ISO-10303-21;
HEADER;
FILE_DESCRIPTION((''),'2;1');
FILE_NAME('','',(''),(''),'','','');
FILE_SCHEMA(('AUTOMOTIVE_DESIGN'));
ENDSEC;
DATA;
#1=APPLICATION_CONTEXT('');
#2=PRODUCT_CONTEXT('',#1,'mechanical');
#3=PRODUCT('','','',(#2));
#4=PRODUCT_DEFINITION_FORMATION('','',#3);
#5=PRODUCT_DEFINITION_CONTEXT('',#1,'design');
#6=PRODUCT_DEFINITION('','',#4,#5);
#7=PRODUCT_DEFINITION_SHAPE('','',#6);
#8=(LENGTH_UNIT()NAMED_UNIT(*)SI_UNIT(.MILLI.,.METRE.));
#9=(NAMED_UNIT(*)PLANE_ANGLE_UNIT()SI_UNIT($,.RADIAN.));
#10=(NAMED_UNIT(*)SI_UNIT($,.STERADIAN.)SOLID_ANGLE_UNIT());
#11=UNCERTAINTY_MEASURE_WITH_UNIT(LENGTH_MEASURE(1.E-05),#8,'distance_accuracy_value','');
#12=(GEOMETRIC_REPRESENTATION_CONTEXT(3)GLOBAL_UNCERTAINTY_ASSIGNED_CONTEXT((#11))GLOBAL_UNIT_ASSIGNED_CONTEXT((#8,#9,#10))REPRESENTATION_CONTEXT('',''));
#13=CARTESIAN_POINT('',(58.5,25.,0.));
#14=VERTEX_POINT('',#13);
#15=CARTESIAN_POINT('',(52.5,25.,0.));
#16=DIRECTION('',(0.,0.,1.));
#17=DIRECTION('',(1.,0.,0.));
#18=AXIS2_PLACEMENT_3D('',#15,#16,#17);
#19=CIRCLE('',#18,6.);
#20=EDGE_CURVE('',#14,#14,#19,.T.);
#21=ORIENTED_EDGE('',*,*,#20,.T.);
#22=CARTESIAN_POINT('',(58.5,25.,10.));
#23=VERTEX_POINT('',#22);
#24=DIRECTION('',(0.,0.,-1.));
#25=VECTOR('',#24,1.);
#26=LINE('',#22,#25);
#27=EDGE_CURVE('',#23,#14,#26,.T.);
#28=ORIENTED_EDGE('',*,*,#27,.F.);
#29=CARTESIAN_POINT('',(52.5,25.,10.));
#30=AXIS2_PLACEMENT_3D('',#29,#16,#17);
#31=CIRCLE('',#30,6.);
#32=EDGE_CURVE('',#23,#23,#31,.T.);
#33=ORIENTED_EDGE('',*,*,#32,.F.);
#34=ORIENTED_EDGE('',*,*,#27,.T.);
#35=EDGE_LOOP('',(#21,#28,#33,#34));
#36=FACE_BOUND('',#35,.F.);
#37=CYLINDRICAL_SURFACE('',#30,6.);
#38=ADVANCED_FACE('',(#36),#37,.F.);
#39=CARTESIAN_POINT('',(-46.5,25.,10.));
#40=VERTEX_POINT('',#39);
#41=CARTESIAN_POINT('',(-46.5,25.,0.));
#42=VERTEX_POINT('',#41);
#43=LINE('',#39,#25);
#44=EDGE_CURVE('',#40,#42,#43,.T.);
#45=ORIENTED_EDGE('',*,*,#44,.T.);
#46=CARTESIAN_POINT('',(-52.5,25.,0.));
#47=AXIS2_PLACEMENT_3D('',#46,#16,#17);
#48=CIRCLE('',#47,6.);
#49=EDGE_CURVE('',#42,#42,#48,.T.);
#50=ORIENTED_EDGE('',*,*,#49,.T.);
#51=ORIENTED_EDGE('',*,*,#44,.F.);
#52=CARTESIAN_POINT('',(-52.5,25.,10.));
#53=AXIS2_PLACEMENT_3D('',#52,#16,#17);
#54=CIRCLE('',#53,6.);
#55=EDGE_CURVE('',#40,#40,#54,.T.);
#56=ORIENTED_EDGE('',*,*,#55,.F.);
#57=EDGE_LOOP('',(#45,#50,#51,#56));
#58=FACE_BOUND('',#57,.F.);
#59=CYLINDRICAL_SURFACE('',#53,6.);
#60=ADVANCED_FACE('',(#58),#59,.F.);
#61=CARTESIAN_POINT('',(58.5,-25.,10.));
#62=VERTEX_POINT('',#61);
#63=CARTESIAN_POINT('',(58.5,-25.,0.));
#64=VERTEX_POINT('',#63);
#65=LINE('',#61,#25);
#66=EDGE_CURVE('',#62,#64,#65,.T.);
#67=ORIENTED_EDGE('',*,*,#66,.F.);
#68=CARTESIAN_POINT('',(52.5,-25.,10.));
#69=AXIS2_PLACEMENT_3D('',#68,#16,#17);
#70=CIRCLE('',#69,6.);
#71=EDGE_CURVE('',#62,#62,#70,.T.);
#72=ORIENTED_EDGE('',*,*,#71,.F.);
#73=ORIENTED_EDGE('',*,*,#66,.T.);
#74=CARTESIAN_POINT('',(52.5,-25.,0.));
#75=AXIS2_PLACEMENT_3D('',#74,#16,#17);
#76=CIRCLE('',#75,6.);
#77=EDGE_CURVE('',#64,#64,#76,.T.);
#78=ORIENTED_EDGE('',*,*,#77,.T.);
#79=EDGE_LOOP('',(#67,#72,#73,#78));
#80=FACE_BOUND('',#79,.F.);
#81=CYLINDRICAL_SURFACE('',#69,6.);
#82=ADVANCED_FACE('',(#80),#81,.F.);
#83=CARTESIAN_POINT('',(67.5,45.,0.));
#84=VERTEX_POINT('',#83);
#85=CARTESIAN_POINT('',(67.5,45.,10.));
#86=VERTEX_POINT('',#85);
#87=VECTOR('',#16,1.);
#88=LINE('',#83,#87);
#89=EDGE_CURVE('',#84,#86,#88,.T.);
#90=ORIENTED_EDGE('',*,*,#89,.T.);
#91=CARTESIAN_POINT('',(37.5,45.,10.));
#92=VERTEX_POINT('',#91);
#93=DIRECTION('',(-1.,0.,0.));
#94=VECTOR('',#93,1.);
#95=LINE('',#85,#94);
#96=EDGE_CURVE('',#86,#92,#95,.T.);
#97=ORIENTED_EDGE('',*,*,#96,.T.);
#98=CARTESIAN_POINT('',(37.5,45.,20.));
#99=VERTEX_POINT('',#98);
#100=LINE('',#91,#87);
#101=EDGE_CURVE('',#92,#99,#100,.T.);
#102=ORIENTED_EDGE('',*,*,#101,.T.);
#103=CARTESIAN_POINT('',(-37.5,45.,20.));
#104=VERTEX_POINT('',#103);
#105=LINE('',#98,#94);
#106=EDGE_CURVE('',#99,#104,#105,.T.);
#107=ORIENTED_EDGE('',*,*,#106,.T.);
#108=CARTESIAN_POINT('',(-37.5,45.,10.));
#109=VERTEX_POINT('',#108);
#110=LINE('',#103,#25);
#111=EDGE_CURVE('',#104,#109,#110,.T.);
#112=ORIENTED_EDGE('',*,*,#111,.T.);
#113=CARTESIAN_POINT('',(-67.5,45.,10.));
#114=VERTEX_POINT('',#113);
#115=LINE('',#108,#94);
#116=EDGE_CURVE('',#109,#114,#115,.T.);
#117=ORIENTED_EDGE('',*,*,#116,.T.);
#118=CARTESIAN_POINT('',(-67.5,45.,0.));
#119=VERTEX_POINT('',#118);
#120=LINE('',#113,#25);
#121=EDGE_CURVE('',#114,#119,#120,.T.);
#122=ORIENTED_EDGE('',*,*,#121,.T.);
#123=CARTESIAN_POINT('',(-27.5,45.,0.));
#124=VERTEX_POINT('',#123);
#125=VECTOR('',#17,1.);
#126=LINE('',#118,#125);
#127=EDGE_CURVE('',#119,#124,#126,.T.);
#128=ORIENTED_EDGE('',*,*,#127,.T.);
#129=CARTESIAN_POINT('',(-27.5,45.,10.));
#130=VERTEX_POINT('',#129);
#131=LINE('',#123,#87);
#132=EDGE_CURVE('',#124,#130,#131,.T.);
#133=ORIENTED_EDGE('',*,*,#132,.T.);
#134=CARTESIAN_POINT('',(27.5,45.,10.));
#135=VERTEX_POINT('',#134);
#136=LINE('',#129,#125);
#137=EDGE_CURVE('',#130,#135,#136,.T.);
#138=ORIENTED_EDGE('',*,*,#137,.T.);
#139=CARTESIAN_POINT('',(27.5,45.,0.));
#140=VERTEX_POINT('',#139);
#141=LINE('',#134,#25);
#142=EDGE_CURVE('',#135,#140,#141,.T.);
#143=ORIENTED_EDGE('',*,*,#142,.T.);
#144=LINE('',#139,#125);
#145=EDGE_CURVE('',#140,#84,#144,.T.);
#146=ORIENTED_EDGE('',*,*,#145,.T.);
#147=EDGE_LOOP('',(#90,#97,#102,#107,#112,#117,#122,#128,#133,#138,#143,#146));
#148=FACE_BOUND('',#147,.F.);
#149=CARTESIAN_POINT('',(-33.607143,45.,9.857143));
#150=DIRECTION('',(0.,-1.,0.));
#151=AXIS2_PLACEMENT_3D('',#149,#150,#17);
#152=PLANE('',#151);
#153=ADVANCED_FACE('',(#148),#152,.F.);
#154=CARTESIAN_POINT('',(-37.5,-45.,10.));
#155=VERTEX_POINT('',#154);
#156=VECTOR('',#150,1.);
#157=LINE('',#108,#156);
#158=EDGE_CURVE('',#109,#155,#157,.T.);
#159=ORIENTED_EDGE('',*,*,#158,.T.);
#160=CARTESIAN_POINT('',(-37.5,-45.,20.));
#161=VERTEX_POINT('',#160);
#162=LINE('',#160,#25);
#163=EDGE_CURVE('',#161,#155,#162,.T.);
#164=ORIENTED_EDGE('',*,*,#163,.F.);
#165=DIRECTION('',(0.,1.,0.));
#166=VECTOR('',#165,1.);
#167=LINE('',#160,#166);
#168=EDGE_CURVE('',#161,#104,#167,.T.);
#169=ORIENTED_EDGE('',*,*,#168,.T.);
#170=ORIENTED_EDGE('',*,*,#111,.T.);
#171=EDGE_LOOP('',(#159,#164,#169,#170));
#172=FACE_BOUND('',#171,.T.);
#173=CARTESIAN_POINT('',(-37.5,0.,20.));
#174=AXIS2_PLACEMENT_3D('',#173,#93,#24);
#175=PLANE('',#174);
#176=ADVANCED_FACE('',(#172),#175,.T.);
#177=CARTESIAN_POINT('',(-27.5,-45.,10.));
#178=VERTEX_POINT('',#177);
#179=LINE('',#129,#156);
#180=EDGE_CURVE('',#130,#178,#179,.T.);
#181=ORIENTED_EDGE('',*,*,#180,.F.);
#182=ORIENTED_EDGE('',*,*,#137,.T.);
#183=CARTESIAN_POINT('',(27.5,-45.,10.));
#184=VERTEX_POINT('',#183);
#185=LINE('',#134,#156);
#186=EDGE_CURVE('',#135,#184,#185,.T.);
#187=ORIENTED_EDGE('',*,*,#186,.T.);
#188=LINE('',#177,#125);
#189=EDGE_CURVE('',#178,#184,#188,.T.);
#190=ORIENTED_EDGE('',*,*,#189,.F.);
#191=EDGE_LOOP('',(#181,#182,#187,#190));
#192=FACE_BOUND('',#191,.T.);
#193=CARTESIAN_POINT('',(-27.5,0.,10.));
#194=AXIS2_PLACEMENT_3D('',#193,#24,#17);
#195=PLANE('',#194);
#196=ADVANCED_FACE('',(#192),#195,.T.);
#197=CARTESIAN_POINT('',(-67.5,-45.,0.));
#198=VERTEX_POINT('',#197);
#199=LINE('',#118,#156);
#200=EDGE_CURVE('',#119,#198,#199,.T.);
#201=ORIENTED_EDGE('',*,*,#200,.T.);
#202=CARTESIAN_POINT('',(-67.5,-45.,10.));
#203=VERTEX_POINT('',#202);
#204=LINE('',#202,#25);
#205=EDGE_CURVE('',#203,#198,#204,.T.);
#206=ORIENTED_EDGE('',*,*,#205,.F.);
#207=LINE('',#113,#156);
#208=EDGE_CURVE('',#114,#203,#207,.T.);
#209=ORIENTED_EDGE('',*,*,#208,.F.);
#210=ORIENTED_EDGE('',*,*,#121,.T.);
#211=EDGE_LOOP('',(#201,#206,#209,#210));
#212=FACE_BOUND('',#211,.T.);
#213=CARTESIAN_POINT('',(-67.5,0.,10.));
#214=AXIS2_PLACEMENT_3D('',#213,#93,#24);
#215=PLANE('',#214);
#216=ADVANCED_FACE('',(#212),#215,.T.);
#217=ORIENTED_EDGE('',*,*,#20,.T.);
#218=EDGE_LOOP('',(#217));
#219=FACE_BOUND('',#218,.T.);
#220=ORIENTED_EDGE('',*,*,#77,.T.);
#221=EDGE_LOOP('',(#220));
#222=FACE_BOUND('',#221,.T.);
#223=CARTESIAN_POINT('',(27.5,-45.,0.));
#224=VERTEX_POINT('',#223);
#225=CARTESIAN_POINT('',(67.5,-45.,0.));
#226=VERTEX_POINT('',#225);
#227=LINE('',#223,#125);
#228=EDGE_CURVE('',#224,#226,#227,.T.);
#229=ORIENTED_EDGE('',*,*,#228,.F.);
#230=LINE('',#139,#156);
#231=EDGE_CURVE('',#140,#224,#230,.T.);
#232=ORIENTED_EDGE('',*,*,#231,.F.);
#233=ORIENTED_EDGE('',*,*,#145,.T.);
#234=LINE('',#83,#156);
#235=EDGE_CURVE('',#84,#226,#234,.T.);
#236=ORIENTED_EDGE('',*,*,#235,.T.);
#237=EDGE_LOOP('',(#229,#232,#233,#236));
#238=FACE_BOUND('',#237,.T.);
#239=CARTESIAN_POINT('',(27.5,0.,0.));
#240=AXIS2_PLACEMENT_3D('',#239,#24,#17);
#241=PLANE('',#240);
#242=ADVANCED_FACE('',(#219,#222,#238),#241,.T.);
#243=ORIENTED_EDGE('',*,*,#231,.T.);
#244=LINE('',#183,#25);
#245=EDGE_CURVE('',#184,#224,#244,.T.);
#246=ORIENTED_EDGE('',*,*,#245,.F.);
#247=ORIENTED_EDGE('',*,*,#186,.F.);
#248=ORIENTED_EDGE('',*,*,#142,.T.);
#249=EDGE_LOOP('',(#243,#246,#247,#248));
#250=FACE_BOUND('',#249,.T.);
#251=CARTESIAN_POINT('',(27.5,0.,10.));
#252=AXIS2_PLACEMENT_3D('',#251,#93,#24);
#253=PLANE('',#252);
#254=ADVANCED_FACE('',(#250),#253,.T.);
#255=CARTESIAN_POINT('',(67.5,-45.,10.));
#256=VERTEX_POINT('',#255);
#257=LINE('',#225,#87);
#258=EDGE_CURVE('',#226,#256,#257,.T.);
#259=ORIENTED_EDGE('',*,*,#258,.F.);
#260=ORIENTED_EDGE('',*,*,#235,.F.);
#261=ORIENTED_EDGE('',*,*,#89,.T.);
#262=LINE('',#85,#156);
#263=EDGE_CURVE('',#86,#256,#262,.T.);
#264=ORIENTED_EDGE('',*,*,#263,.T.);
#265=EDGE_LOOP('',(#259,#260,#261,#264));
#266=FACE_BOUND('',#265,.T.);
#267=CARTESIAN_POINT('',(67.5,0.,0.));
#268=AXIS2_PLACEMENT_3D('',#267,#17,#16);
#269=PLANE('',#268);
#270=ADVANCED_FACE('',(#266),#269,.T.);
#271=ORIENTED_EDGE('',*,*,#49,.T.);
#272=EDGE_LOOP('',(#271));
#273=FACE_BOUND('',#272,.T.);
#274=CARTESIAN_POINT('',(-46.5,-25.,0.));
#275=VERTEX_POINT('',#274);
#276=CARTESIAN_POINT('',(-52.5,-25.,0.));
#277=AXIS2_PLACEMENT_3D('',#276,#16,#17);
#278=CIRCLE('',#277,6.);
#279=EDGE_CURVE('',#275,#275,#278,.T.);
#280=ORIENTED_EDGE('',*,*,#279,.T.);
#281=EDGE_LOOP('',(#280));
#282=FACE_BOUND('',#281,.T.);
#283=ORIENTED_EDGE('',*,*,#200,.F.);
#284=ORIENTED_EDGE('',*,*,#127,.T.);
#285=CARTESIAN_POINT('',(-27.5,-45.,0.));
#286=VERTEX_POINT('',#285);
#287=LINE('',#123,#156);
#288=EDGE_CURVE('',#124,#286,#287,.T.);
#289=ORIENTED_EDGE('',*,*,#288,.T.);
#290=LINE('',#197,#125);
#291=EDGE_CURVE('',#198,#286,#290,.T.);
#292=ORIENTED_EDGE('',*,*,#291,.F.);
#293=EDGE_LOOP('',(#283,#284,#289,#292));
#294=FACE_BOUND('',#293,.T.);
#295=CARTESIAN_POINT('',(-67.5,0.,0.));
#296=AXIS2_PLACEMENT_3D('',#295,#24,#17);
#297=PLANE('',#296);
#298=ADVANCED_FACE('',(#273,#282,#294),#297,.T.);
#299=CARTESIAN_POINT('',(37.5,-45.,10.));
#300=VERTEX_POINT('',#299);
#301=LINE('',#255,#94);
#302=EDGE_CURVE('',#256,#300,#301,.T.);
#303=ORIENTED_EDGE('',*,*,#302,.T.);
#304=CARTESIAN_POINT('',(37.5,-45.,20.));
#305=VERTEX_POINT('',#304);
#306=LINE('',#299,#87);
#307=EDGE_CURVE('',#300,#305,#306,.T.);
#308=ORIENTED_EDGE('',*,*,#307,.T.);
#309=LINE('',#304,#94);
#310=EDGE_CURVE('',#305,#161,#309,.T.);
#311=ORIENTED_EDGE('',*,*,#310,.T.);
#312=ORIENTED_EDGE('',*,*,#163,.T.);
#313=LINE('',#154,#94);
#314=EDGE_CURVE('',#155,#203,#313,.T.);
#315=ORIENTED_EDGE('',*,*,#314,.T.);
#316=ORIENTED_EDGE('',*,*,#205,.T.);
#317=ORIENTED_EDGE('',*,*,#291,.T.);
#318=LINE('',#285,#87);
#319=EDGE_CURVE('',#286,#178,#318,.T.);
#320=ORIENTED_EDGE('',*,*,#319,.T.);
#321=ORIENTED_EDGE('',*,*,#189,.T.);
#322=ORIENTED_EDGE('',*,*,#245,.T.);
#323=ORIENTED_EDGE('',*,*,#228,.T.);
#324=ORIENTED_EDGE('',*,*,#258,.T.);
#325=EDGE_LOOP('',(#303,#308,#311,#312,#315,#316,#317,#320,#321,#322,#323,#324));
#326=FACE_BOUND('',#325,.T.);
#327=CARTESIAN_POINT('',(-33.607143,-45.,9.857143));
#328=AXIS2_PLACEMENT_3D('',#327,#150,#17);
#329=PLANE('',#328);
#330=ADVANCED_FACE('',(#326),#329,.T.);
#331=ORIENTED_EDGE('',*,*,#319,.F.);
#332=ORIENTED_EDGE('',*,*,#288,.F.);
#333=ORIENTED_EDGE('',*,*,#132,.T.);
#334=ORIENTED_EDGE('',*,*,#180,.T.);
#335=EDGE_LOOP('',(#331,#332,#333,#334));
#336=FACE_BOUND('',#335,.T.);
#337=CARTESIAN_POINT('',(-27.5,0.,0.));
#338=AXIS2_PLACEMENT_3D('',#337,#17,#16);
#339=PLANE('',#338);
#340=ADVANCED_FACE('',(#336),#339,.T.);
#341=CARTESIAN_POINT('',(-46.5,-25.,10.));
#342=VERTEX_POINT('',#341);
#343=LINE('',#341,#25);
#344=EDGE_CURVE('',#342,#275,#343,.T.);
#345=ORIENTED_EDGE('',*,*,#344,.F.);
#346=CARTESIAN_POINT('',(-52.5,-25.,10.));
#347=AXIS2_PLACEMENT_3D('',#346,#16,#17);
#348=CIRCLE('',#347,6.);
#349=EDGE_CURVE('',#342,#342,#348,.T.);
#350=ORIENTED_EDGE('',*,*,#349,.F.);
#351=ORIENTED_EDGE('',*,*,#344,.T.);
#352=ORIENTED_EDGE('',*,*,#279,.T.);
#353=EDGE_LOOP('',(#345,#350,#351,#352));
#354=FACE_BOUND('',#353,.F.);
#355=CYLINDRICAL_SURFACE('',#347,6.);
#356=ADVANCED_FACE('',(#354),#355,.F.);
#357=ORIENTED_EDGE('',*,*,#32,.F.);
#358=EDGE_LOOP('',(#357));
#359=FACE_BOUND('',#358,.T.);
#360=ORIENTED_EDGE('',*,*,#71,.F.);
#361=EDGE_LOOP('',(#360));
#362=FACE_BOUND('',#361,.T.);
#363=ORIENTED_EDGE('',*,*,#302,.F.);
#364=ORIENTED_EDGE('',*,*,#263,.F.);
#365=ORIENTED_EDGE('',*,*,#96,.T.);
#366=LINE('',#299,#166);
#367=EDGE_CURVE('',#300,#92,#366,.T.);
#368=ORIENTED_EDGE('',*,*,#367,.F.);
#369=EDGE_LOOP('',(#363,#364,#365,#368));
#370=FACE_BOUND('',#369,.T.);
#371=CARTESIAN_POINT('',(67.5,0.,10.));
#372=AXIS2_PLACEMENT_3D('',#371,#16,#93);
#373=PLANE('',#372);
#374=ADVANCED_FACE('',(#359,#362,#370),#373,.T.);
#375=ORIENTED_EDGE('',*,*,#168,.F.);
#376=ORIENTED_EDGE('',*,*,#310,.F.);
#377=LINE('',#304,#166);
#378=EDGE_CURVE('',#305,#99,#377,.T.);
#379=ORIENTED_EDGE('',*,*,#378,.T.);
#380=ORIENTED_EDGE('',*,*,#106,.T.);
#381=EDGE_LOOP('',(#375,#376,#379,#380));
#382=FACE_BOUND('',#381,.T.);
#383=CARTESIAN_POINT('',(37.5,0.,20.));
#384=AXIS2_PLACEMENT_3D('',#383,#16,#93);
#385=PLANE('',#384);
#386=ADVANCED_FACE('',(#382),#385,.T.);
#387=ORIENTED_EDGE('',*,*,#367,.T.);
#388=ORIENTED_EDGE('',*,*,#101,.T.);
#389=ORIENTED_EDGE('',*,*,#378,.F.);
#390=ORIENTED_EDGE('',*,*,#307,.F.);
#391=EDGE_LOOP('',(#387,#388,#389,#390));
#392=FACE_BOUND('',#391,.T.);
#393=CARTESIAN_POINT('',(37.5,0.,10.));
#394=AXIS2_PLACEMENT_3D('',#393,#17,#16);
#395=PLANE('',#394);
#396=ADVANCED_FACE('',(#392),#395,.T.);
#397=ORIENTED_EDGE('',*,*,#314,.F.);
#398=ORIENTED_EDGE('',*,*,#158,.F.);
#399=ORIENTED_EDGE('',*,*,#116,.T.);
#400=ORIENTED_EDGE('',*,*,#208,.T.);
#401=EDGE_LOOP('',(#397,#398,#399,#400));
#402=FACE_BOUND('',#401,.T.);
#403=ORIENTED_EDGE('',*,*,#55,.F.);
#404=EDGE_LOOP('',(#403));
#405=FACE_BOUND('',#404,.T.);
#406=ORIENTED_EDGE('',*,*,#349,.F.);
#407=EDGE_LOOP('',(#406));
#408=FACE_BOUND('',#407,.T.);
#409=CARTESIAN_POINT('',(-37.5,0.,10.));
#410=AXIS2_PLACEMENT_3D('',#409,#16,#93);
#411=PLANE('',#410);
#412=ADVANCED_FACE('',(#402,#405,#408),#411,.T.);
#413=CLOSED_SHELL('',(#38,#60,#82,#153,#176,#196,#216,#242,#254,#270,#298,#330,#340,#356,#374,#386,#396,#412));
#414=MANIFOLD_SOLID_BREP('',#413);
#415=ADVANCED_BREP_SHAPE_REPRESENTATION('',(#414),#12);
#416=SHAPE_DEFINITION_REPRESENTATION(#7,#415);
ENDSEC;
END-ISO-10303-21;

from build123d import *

# Parameters (mm, degrees)
F1_DEPTH = 45
F2_R     = 6
F3_DEPTH = 10.001


with BuildPart() as f1:
    # F0 (on Front) → F1 (new body, symmetric)
    with BuildSketch(Plane.XZ):
        Polygon((0, 10), (0, 20), (-37.5, 20), (-37.5, 10), (-67.5, 10), (-67.5, 0), (-27.5, 0), (-27.5, 10), align=None)
        Polygon((37.5, 20), (0, 20), (0, 10), (27.5, 10), (27.5, 0), (67.5, 0), (67.5, 10), (37.5, 10), align=None)
    extrude(amount=F1_DEPTH, both=True)

    # F2 (on face) → F3 (cut, through all)
    with BuildSketch(Plane.XY.offset(10)):
        with Locations((-52.5, 25)):
            Circle(F2_R)
        with Locations((52.5, 25)):
            Circle(F2_R)
        with Locations((52.5, -25)):
            Circle(F2_R)
        with Locations((-52.5, -25)):
            Circle(F2_R)
    extrude(amount=-F3_DEPTH, mode=Mode.SUBTRACT)


solid = f1.part
